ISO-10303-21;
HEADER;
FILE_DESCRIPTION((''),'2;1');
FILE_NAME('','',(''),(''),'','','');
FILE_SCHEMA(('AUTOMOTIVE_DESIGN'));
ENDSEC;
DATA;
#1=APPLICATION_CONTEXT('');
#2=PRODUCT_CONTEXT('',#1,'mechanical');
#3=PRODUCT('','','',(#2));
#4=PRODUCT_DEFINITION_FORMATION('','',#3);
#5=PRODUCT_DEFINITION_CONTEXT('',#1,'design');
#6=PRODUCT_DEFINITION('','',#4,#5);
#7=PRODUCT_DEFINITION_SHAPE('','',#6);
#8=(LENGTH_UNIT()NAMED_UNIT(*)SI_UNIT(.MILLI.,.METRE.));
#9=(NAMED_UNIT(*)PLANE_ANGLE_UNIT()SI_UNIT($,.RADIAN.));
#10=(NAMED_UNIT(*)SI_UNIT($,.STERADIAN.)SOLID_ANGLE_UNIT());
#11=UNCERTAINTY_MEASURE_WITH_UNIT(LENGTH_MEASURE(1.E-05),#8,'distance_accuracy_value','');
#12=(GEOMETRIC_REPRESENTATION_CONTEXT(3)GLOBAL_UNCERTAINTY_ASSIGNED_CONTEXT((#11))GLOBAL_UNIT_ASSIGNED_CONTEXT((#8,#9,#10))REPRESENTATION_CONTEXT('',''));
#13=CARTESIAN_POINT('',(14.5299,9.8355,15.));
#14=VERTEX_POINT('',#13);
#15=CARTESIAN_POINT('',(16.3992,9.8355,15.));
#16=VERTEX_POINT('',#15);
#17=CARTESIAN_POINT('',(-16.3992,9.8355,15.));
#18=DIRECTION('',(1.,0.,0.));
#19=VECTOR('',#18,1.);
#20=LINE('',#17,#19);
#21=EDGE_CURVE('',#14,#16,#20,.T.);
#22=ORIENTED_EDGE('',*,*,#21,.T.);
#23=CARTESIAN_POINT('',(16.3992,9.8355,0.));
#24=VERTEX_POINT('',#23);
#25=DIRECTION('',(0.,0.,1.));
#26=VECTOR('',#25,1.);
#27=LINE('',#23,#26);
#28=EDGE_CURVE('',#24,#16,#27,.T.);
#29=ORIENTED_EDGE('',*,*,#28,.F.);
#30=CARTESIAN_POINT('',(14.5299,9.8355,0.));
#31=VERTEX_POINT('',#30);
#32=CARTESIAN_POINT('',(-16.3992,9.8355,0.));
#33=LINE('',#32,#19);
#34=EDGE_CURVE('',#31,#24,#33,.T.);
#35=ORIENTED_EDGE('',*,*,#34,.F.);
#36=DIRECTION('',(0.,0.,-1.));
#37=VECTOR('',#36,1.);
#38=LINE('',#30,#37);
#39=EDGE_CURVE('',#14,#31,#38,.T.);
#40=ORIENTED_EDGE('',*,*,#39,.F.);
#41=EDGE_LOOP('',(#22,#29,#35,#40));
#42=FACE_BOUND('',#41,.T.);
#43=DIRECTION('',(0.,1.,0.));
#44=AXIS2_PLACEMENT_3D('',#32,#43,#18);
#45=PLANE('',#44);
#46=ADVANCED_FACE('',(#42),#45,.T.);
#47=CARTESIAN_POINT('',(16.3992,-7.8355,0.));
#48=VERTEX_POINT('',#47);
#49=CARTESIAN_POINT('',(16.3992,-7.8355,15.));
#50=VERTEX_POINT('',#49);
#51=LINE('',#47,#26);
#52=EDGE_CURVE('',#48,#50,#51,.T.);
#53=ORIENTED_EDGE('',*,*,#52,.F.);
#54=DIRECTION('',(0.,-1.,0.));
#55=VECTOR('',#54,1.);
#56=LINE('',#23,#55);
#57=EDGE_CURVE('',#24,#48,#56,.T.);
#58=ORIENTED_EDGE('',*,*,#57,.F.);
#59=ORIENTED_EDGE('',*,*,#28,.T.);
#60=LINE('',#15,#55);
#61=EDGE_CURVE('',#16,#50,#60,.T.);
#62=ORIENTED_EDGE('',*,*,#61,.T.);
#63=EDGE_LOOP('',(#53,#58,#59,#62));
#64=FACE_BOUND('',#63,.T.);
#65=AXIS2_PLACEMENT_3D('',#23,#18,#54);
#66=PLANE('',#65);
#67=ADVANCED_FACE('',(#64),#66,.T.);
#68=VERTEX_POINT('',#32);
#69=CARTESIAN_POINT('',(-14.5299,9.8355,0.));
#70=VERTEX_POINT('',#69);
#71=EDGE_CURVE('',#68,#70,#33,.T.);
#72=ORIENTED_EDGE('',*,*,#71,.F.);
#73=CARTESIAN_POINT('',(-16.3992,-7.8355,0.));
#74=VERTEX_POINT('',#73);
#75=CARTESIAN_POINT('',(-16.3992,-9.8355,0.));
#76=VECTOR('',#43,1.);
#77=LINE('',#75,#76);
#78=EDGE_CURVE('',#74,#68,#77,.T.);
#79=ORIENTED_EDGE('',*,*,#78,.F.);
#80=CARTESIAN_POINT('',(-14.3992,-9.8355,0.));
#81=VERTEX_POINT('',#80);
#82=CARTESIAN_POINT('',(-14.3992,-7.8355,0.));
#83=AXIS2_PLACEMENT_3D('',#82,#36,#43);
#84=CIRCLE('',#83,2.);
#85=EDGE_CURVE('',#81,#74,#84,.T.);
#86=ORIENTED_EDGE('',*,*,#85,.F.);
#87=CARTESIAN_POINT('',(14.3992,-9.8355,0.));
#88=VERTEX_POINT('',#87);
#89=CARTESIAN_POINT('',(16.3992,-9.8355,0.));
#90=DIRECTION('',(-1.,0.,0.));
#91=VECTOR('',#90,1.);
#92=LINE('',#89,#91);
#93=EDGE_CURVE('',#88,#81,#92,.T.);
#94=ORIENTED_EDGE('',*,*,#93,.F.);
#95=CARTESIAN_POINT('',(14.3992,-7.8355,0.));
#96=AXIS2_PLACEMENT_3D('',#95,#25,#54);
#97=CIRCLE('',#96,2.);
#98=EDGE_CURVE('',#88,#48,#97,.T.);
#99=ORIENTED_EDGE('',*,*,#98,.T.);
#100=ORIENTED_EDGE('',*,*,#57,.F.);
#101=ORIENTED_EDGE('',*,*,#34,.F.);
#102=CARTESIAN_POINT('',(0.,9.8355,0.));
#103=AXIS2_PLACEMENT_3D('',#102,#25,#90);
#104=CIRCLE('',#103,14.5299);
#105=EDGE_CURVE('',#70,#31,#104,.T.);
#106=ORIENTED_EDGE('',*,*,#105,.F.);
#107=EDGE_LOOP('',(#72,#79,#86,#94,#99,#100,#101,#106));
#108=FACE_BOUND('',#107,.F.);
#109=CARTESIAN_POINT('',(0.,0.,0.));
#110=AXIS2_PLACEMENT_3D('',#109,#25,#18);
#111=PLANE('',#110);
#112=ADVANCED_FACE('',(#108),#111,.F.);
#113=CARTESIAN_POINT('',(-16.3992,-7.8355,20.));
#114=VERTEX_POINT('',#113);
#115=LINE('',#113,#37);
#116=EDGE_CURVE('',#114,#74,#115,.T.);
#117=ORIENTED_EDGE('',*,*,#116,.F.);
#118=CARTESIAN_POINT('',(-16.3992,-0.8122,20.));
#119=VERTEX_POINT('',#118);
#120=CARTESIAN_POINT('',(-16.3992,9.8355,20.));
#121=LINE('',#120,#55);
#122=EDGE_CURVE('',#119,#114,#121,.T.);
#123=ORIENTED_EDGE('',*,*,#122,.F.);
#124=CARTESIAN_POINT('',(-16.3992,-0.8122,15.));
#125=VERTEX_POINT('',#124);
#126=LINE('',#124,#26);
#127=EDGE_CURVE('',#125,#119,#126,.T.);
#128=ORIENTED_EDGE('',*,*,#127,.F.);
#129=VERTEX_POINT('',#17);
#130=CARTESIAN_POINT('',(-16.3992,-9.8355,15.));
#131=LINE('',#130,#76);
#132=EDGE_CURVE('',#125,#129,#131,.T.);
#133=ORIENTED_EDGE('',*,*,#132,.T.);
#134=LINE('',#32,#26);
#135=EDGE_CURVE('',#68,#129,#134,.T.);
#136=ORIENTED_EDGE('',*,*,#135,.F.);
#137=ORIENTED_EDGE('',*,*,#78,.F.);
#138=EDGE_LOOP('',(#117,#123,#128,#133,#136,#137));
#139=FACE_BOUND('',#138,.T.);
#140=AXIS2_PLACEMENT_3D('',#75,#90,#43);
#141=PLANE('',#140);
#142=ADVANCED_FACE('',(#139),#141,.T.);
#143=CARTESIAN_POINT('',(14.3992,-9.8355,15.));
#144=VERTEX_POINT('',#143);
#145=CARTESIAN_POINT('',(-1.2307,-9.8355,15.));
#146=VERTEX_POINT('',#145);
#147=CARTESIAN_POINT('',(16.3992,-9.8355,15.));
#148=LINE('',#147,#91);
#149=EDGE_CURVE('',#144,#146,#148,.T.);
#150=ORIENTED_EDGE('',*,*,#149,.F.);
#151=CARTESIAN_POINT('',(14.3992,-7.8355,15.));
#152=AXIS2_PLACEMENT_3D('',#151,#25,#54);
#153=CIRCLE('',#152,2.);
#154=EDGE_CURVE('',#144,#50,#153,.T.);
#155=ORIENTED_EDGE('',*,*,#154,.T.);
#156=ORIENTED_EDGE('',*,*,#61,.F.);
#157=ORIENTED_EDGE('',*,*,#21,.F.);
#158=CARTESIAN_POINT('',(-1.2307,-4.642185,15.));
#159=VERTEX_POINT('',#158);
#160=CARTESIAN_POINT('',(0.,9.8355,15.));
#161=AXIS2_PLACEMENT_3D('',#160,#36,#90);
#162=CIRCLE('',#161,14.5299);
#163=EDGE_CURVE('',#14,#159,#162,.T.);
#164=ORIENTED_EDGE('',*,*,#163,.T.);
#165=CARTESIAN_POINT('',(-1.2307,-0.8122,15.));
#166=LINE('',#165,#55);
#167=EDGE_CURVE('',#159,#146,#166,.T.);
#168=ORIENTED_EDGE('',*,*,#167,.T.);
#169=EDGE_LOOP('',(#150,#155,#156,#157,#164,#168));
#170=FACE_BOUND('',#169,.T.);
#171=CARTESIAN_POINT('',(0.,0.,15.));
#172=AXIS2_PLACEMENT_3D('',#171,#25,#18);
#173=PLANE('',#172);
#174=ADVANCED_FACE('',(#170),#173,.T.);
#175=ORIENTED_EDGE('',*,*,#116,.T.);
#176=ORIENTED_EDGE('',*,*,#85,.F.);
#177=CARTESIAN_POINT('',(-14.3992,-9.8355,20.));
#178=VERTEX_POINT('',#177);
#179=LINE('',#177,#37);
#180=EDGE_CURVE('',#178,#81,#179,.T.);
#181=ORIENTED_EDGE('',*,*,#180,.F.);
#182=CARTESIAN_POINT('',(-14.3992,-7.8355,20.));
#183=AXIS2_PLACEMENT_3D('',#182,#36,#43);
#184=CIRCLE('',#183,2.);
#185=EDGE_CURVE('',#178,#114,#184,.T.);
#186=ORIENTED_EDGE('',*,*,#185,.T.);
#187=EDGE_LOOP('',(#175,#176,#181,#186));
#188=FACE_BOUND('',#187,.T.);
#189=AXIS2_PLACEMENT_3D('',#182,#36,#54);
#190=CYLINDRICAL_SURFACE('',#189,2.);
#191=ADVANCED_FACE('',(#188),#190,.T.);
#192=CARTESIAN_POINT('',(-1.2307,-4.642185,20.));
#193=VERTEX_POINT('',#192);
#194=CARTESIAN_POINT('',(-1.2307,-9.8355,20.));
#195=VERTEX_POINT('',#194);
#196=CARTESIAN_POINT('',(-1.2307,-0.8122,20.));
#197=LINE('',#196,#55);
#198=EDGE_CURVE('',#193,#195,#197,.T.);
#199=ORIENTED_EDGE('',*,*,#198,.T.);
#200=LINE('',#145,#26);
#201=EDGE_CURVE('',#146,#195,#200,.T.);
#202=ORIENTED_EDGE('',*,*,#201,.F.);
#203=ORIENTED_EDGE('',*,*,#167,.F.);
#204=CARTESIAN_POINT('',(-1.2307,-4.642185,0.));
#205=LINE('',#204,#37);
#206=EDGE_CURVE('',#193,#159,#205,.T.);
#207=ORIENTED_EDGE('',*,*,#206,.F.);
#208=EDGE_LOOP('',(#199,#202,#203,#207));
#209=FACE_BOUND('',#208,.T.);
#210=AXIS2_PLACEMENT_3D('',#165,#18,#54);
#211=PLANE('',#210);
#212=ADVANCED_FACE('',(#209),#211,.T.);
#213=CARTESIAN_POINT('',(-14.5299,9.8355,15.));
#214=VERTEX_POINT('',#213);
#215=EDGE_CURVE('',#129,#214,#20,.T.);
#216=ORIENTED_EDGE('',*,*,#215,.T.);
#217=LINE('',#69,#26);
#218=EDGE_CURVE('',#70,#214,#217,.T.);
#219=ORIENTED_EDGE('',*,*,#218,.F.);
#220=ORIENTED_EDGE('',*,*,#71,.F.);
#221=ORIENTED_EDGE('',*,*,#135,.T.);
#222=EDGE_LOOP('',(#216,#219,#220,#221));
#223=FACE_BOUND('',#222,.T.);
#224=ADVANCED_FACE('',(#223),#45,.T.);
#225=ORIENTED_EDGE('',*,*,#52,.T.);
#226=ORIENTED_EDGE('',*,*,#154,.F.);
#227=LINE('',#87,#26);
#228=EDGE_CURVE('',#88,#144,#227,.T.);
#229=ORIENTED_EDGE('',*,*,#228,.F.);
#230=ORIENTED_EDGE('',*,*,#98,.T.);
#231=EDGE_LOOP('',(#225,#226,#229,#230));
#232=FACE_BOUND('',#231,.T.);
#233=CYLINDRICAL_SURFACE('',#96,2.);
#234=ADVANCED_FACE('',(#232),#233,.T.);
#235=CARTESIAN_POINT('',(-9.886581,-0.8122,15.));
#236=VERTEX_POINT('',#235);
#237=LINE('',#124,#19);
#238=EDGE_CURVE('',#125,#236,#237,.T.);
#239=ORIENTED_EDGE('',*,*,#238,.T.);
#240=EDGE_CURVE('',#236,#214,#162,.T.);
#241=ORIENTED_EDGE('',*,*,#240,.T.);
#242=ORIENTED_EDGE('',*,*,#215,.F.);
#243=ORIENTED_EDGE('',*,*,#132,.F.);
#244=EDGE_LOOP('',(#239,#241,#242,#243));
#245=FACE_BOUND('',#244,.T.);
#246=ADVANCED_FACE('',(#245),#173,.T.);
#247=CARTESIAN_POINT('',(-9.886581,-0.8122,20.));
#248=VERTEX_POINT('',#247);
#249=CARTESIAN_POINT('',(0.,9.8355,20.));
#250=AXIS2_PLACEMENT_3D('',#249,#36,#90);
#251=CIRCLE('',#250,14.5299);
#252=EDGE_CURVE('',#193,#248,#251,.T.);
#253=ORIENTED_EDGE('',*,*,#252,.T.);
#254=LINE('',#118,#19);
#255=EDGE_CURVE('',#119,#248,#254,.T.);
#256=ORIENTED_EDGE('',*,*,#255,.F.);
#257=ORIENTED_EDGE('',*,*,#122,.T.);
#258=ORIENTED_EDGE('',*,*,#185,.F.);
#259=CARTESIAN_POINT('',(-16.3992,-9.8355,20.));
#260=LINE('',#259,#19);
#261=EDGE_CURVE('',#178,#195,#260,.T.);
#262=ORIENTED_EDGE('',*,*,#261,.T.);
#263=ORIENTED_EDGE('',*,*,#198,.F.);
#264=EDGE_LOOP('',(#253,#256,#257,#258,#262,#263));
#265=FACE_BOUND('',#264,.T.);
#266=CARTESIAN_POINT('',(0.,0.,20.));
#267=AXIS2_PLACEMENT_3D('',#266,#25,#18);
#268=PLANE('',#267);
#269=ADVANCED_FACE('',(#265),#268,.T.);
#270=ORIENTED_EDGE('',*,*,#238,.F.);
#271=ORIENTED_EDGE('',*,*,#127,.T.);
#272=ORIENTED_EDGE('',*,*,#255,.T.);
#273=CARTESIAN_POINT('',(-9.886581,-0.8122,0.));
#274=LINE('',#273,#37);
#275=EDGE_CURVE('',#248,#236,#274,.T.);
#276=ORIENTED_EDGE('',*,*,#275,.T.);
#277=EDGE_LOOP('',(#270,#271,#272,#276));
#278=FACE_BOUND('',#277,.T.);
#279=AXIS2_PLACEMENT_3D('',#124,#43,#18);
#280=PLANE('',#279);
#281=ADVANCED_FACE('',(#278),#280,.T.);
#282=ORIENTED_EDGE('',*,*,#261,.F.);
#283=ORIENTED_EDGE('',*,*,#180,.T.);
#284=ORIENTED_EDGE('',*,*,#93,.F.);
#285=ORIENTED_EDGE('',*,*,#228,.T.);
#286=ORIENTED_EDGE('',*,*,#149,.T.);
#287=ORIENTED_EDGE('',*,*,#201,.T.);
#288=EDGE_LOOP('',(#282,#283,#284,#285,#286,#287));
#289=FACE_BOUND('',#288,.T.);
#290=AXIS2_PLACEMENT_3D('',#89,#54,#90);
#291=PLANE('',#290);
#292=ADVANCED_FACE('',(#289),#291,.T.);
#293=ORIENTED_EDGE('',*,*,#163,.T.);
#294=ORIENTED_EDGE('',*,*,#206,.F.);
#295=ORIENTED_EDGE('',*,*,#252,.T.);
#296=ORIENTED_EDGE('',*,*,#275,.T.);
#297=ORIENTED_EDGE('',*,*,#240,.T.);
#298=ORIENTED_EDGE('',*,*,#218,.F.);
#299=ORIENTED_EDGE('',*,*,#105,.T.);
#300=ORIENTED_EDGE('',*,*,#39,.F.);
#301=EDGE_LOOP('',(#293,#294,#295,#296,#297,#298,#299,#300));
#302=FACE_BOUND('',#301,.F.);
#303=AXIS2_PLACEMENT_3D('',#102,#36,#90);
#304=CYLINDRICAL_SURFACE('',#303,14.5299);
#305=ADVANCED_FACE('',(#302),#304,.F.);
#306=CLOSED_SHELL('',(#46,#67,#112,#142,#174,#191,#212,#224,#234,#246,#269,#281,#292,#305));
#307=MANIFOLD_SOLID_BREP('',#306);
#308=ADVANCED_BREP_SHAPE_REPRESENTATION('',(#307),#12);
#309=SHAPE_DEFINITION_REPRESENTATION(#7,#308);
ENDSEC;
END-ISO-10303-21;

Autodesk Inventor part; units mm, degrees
ref_plane "YZ Plane" through (0, 0, 0) normal (1, 0, 0) x (0, 1, 0)
ref_plane "XZ Plane" through (0, 0, 0) normal (0, 1, 0) x (-1, 0, 0)
ref_plane "XY Plane" through (0, 0, 0) normal (0, 0, 1) x (1, 0, 0)
sketch "스케치1" plane through (0, 0, 0) normal (0, 0, 1) x (1, 0, 0)
  line L0 (16.3992, -9.8355) -> (-16.3992, -9.8355)
  line L1 (-16.3992, -9.8355) -> (-16.3992, 9.8355)
  line L2 (-16.3992, 9.8355) -> (16.3992, 9.8355)
  line L3 (16.3992, 9.8355) -> (16.3992, -9.8355)
  line L4 (16.3992, -9.8355) -> (-16.3992, 9.8355) construction
  line L5 (-16.3992, -9.8355) -> (16.3992, 9.8355) construction
  point P0 (0, 0)
extrude "돌출1" add sketch "스케치1" along normal blind 15
sketch "스케치2" plane through (0, 0, 15) normal (0, 0, 1) x (1, 0, 0)
  line L0 (-16.3992, 9.8355) -> (-16.3992, -9.8355) projected
  line L1 (-16.3992, -9.8355) -> (16.3992, -9.8355) projected
  line L2 (-16.3992, -0.8122) -> (-1.2307, -0.8122)
  line L3 (-1.2307, -0.8122) -> (-1.2307, -9.8355)
  line L4 (-1.2307, -9.8355) -> (-16.3992, -9.8355)
  line L5 (-16.3992, -9.8355) -> (-16.3992, -0.8122)
  point P0 (0, 0)
extrude "돌출2" add sketch "스케치2" along normal blind 5
sketch "스케치3" plane through (0, 0, 15) normal (0, 0, 1) x (1, 0, 0)
  point P0 (0, 0)
sketch "스케치4" plane through (0, 0, 0) normal (0, 0, -1) x (-1, 0, 0)
  line L0 (-16.3992, 9.8355) -> (16.3992, 9.8355) projected
  circle A0 centre (0, 9.8355) radius 14.5299
  point P0 (0, 0)
extrude "돌출3" cut sketch "스케치4" against normal blind 20
fillet "모깎기1" radius 2 1 edges at (16.3992, -9.8355, 7.5)
fillet "모깎기2" radius 2 1 edges at (-16.3992, -9.8355, 10)
properties part number "240503_3Dsketch12"
